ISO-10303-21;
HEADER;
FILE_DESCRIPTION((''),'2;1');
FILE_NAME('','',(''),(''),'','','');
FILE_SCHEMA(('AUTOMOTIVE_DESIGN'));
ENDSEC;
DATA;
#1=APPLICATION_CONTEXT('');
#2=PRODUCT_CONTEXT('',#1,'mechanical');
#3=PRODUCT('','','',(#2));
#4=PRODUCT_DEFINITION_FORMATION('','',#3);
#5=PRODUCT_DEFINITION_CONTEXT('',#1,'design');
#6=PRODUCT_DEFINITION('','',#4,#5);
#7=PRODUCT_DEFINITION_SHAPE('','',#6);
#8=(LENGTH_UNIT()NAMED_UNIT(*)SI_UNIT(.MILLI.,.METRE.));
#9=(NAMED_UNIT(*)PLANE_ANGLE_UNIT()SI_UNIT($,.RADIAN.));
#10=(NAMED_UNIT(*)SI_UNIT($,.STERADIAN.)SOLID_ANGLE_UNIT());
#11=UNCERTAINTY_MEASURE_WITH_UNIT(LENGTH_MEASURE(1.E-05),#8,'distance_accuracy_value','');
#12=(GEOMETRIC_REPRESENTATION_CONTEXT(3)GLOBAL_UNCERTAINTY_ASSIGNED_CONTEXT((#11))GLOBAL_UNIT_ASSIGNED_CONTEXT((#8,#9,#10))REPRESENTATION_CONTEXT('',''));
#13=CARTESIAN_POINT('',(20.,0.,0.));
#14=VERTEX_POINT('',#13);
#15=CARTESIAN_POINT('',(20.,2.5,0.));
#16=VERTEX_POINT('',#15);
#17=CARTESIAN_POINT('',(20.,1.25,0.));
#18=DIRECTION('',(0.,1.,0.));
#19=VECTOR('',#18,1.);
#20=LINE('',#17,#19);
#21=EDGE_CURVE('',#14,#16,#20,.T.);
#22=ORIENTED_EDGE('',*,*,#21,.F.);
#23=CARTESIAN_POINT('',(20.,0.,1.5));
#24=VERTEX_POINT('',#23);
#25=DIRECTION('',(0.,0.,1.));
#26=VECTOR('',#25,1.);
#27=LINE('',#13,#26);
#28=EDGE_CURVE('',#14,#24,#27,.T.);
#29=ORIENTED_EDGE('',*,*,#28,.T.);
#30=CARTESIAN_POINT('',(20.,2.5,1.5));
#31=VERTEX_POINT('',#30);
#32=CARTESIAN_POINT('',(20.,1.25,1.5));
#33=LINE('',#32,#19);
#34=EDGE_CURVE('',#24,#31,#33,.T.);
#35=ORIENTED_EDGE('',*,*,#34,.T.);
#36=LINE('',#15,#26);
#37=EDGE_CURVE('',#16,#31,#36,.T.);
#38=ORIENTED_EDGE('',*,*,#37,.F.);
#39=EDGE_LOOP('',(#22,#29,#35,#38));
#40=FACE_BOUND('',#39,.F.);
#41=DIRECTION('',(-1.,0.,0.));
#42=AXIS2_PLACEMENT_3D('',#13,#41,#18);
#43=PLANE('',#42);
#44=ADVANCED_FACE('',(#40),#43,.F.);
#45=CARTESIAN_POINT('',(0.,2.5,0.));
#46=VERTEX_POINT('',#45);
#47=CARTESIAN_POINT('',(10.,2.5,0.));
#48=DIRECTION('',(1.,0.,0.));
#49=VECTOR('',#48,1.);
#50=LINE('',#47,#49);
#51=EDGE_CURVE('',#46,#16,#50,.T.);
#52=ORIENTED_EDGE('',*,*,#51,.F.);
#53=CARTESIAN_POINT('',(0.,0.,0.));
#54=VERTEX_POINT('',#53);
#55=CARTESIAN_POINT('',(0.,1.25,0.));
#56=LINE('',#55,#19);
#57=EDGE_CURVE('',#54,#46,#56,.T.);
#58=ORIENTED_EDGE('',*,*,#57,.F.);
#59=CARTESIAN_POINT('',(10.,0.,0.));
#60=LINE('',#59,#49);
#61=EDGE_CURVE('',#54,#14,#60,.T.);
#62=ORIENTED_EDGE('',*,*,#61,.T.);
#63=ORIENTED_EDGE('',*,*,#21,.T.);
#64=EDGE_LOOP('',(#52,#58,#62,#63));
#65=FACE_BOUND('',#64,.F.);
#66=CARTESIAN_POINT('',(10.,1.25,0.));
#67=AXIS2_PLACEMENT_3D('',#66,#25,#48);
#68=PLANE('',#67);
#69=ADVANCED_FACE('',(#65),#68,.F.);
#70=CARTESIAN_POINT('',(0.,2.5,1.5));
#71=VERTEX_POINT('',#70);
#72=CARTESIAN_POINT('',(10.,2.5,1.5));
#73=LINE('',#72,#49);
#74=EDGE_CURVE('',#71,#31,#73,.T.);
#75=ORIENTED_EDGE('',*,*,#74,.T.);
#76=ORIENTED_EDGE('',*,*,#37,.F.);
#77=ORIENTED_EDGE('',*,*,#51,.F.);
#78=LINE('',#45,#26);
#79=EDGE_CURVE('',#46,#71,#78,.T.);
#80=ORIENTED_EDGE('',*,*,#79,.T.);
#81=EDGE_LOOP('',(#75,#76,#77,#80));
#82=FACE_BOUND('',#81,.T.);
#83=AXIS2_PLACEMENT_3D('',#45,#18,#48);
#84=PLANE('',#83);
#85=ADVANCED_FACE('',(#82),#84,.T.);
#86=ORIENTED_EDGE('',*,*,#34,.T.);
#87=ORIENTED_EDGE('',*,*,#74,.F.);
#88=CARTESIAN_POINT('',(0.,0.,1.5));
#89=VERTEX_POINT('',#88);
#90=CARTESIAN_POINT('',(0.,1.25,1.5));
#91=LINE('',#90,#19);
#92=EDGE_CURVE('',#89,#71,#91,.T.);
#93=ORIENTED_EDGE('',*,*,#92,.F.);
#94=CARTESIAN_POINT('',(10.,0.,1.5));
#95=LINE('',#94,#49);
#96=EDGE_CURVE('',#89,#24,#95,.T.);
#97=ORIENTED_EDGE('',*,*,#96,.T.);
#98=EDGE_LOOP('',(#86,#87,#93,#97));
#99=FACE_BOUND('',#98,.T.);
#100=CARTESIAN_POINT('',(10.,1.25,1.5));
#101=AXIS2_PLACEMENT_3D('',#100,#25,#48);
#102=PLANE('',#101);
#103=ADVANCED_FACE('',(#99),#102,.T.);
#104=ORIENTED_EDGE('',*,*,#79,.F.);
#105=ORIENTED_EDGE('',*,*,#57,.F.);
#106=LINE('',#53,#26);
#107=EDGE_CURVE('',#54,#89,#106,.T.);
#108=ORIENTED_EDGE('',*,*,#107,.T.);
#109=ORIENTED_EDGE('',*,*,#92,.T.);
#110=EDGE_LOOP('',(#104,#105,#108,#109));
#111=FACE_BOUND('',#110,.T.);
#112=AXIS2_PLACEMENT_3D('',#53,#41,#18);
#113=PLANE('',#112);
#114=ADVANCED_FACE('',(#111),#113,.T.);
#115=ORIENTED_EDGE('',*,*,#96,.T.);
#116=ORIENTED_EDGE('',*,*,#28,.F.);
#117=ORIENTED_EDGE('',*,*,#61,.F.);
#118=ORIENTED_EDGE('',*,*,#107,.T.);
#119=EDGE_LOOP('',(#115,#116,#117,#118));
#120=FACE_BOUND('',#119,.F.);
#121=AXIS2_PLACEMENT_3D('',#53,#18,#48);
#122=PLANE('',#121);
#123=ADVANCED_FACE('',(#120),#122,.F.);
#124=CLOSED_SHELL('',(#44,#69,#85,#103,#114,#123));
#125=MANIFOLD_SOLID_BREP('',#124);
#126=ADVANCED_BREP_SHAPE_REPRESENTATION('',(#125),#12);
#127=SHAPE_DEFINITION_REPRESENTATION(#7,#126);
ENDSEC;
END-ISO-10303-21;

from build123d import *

# Parameters (mm, degrees)
BOX_W     = 20
BOX_H     = 2.5
BOX_DEPTH = 1.5


with BuildPart() as part:
    # Box → Box (new body)
    with BuildSketch(Plane.XY):
        with Locations((10, 1.25)):
            Rectangle(BOX_W, BOX_H)
    extrude(amount=BOX_DEPTH)


solid = part.part
